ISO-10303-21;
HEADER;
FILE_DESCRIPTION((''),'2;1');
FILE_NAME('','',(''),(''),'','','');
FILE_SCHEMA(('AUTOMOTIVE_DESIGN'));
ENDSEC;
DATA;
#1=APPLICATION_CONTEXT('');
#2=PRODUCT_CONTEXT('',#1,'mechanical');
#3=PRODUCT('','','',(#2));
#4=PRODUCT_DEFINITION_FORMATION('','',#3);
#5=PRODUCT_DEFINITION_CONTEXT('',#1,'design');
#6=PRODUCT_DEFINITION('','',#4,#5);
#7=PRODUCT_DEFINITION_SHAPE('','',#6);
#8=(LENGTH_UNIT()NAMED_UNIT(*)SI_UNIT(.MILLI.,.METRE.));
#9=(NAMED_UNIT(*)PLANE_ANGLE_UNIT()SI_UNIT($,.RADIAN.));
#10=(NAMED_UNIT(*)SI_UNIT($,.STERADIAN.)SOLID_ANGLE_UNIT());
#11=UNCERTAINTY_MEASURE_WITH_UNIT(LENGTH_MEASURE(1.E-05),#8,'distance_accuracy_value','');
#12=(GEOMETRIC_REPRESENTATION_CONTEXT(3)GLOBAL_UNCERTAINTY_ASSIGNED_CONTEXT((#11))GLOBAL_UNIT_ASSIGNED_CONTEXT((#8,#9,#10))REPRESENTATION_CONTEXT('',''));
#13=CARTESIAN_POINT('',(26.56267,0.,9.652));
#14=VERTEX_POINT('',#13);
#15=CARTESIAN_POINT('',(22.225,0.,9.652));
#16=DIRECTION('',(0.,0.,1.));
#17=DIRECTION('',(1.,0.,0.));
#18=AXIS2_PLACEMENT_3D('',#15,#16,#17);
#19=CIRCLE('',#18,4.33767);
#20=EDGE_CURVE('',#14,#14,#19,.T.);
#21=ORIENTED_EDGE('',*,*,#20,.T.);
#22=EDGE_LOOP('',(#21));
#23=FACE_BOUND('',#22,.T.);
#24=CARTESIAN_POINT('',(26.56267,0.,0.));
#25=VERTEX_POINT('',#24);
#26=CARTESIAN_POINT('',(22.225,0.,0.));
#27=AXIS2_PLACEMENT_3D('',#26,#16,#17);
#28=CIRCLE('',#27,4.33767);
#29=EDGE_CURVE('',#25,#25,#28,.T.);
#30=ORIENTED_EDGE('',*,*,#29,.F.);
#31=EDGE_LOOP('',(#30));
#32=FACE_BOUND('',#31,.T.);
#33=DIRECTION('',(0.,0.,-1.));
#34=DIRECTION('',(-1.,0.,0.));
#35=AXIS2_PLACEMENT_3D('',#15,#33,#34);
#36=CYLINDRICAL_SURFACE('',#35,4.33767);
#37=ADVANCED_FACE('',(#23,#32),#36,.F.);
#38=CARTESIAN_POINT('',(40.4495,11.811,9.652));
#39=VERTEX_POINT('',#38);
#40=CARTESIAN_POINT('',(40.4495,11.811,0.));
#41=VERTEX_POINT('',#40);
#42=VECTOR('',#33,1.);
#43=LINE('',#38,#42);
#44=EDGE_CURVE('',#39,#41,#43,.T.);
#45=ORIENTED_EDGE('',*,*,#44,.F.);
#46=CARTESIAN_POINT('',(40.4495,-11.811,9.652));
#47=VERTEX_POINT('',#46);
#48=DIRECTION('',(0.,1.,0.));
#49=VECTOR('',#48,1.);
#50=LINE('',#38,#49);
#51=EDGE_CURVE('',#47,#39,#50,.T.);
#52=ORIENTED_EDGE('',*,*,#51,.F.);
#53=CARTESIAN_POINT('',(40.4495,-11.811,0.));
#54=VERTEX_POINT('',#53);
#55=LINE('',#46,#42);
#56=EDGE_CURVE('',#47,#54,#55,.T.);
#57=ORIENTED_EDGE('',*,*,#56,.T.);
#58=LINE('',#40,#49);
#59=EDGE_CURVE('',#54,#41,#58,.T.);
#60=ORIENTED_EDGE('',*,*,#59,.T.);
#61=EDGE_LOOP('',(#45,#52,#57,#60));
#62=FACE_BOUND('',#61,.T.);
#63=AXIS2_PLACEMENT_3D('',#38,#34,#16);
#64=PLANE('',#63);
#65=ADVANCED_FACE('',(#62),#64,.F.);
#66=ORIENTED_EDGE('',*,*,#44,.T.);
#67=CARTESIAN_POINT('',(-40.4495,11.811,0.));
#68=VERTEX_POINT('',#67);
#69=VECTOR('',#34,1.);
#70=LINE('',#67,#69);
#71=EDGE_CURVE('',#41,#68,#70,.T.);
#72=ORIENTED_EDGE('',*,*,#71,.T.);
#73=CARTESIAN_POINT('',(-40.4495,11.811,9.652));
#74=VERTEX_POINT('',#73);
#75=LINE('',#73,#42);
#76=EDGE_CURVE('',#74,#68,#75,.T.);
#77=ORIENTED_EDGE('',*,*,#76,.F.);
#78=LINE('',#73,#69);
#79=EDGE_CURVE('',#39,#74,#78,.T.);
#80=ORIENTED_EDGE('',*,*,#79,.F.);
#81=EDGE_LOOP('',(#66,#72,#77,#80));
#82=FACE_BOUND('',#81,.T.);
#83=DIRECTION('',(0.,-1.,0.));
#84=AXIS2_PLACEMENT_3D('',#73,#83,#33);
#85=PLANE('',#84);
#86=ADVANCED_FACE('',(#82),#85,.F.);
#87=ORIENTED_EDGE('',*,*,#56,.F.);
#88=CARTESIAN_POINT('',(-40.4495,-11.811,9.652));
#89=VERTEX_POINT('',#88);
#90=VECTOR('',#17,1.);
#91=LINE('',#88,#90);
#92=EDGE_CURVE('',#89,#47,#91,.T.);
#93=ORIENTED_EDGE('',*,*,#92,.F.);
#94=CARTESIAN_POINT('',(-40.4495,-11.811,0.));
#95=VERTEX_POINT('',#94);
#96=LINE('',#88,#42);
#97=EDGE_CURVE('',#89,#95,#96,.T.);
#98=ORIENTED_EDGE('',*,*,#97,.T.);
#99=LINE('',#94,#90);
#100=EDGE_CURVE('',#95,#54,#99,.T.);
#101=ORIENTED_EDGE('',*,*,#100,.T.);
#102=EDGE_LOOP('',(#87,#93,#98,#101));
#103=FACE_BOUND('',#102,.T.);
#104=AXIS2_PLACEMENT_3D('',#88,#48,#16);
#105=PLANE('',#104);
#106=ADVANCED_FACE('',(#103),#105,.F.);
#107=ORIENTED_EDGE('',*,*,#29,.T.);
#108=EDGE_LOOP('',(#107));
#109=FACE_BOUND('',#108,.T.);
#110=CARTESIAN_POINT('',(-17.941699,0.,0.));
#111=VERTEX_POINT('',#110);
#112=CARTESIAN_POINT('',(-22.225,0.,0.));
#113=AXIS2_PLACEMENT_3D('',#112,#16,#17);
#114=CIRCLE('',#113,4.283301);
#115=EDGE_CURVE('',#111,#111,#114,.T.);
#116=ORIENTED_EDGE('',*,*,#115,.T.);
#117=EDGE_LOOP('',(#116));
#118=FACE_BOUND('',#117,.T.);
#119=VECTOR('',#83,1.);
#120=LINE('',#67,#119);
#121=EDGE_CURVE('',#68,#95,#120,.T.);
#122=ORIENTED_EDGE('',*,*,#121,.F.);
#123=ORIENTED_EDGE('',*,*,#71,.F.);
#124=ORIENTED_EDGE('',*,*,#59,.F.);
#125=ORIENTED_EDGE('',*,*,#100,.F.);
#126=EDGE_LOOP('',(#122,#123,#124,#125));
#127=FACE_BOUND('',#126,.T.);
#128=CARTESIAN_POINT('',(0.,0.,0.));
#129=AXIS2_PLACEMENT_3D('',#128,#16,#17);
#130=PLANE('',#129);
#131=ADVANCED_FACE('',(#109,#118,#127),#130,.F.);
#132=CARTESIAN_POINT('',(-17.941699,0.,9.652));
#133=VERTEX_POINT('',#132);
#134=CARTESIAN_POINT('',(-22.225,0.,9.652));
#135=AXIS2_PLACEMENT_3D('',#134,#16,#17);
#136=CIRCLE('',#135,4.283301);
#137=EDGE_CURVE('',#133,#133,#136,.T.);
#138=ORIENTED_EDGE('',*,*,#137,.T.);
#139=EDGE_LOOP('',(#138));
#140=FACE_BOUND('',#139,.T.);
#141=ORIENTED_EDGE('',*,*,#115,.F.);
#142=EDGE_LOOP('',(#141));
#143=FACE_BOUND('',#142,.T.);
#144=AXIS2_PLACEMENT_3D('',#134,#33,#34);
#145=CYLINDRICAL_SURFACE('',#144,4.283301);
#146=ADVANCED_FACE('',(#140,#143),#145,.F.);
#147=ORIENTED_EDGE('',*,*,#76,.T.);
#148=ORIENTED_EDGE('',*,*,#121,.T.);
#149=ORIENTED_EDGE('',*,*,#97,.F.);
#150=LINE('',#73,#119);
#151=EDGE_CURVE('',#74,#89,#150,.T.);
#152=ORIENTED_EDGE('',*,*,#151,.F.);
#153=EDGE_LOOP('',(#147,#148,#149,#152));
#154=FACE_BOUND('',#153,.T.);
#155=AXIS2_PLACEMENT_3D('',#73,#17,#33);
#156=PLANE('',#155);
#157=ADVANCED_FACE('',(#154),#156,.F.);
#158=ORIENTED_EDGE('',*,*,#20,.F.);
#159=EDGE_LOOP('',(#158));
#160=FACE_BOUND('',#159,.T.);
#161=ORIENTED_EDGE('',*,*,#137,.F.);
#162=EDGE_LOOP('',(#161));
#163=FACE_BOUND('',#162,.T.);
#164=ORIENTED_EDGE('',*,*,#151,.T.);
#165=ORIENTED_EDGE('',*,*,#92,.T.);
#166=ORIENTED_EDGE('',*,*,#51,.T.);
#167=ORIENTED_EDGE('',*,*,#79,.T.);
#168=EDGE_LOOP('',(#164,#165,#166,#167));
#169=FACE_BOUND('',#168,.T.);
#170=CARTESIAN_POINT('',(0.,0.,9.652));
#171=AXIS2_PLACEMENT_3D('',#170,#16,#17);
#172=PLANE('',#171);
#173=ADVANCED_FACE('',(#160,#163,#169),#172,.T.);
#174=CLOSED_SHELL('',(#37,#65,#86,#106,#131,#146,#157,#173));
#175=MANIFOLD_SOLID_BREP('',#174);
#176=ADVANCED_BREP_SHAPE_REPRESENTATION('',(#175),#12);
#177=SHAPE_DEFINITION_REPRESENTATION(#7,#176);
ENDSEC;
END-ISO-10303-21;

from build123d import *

# Parameters (mm, degrees)
SKETCH1_W           = 80.899
SKETCH1_H           = 23.622
SKETCH1_R           = 4.283301185
SKETCH1_R_2         = 4.337670236
BOSS_EXTRUDE1_DEPTH = 9.652


with BuildPart() as part:
    # Sketch1 → Boss-Extrude1 (new body)
    with BuildSketch(Plane.XY):
        Rectangle(SKETCH1_W, SKETCH1_H)
        with Locations((-22.225, 0)):
            Circle(SKETCH1_R, mode=Mode.SUBTRACT)
        with Locations((22.225, 0)):
            Circle(SKETCH1_R_2, mode=Mode.SUBTRACT)
    extrude(amount=BOSS_EXTRUDE1_DEPTH)


solid = part.part
